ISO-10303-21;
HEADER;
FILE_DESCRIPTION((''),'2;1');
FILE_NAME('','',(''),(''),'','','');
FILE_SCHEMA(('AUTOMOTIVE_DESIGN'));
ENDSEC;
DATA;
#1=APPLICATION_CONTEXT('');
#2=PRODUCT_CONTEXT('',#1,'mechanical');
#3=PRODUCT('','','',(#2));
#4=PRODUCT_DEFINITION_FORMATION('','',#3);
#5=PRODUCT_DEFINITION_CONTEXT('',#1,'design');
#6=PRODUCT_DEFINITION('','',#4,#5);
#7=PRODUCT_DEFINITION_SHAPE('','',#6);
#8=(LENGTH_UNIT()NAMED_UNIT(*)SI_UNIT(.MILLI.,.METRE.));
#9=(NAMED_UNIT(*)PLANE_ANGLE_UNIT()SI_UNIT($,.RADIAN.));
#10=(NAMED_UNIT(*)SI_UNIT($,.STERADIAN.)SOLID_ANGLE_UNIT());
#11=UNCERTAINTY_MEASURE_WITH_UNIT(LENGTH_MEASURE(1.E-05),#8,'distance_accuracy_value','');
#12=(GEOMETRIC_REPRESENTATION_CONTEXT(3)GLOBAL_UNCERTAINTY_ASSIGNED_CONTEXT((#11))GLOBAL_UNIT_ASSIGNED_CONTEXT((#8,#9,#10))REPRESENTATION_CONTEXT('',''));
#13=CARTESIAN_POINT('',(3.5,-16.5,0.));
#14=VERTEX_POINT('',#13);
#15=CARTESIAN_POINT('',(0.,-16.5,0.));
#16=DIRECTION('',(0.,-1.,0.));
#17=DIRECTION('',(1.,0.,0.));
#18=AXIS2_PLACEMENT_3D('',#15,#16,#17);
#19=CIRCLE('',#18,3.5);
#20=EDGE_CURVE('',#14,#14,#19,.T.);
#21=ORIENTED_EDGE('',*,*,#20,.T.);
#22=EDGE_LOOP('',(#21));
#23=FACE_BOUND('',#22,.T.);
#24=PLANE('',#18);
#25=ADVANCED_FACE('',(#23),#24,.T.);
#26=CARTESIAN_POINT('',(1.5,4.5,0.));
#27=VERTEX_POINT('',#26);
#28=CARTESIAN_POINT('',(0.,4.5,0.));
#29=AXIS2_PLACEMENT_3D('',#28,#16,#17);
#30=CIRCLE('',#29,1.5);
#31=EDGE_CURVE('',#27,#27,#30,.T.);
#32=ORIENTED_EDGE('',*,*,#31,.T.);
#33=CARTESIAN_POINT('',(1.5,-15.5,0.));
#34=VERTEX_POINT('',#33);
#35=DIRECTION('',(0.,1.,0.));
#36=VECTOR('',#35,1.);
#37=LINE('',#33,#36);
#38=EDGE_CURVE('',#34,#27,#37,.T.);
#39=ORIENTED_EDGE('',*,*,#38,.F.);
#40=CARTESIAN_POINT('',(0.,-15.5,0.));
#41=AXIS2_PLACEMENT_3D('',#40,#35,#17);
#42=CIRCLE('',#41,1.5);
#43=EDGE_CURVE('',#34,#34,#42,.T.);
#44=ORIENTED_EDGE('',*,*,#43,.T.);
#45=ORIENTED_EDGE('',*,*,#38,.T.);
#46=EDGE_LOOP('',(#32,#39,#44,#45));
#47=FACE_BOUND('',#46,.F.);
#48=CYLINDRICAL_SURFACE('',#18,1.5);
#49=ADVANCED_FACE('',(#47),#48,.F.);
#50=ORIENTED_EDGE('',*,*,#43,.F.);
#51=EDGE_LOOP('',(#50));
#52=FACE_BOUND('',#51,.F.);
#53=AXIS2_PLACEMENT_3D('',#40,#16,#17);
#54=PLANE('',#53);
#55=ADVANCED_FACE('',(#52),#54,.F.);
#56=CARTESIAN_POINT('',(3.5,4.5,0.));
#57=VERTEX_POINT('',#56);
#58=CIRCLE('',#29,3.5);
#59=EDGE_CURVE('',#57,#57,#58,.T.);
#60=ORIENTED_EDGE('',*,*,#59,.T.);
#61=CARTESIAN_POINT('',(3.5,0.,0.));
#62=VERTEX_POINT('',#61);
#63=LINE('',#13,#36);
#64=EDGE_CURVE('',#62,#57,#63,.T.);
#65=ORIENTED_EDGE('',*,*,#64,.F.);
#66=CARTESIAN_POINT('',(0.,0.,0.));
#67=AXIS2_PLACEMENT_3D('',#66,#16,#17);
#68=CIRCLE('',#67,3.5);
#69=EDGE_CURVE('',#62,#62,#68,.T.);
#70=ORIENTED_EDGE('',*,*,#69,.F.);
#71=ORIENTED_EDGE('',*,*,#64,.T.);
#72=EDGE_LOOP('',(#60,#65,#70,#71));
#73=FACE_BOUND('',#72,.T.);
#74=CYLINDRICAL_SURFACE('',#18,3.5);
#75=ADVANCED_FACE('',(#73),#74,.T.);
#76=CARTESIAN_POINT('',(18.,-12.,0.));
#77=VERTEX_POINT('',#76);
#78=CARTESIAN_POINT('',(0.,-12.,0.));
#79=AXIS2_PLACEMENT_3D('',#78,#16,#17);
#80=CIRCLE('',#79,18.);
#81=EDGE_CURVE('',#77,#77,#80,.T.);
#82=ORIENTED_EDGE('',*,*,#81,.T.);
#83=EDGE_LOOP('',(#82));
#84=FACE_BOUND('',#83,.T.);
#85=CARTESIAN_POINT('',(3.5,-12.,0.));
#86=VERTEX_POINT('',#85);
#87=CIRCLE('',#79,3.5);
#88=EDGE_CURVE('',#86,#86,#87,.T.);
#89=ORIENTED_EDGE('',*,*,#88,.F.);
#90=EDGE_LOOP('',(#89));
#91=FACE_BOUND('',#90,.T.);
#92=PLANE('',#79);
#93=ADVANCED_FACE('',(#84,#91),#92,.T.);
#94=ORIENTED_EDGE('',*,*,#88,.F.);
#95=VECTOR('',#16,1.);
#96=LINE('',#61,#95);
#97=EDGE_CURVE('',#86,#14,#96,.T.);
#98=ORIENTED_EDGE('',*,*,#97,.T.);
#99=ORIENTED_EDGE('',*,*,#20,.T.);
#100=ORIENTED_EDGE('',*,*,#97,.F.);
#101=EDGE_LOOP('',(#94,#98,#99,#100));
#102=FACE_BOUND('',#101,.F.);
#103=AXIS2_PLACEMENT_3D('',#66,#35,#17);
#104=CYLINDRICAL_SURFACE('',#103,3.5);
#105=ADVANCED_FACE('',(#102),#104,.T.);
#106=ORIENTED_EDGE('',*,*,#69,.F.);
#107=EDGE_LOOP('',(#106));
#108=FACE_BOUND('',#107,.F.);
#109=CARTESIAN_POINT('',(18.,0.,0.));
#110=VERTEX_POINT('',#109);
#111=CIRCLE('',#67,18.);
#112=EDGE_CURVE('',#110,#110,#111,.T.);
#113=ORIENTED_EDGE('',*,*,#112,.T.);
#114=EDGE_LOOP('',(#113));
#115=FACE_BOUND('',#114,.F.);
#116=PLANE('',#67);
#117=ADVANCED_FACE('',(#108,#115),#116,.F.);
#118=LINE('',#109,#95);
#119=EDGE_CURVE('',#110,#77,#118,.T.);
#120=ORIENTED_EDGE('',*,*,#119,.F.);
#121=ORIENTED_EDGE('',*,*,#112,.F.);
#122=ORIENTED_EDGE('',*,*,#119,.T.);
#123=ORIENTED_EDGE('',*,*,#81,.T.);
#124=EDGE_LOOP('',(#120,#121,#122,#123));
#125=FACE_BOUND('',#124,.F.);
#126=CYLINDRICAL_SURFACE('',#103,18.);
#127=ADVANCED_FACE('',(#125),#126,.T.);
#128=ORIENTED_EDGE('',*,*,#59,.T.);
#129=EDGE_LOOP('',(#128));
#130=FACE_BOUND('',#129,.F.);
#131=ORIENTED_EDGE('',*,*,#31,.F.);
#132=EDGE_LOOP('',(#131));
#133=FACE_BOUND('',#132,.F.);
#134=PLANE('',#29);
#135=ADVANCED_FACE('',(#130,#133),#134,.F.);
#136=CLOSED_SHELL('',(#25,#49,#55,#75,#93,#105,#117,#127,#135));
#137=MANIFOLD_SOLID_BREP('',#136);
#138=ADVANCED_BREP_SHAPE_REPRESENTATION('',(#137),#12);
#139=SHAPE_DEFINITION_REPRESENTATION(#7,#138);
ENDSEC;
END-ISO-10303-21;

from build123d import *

# Parameters (mm, degrees)
F0_R        = 18
F0_R_2      = 3.5
F1_DEPTH    = 12
F0_R_3      = 1.5
F2_DEPTH    = 16.5
F2_FACE_R   = 3.5
F2_FACE_R_2 = 1.5
F3_DEPTH    = 21
F4_R        = 2.51997
F5_DEPTH    = 1


with BuildPart() as f1:
    # F0 (on Front) → F1 (new body)
    with BuildSketch(Plane.XZ):
        Circle(F0_R)
        Circle(F0_R_2, mode=Mode.SUBTRACT)
    extrude(amount=F1_DEPTH)

    # F0 (on Front) → F2 (join)
    with BuildSketch(Plane.XZ):
        Circle(F0_R_2)
        Circle(F0_R_3, mode=Mode.SUBTRACT)
    extrude(amount=F2_DEPTH)

    # F2_face (on face) → F3 (join)
    with BuildSketch(Plane.XZ.offset(16.5)):
        Circle(F2_FACE_R)
        Circle(F2_FACE_R_2, mode=Mode.SUBTRACT)
    extrude(amount=-F3_DEPTH)

    # F4 (on face) → F5 (join)
    with BuildSketch(Plane.XZ.offset(16.5)):
        Circle(F4_R)
    extrude(amount=-F5_DEPTH)


solid = f1.part
